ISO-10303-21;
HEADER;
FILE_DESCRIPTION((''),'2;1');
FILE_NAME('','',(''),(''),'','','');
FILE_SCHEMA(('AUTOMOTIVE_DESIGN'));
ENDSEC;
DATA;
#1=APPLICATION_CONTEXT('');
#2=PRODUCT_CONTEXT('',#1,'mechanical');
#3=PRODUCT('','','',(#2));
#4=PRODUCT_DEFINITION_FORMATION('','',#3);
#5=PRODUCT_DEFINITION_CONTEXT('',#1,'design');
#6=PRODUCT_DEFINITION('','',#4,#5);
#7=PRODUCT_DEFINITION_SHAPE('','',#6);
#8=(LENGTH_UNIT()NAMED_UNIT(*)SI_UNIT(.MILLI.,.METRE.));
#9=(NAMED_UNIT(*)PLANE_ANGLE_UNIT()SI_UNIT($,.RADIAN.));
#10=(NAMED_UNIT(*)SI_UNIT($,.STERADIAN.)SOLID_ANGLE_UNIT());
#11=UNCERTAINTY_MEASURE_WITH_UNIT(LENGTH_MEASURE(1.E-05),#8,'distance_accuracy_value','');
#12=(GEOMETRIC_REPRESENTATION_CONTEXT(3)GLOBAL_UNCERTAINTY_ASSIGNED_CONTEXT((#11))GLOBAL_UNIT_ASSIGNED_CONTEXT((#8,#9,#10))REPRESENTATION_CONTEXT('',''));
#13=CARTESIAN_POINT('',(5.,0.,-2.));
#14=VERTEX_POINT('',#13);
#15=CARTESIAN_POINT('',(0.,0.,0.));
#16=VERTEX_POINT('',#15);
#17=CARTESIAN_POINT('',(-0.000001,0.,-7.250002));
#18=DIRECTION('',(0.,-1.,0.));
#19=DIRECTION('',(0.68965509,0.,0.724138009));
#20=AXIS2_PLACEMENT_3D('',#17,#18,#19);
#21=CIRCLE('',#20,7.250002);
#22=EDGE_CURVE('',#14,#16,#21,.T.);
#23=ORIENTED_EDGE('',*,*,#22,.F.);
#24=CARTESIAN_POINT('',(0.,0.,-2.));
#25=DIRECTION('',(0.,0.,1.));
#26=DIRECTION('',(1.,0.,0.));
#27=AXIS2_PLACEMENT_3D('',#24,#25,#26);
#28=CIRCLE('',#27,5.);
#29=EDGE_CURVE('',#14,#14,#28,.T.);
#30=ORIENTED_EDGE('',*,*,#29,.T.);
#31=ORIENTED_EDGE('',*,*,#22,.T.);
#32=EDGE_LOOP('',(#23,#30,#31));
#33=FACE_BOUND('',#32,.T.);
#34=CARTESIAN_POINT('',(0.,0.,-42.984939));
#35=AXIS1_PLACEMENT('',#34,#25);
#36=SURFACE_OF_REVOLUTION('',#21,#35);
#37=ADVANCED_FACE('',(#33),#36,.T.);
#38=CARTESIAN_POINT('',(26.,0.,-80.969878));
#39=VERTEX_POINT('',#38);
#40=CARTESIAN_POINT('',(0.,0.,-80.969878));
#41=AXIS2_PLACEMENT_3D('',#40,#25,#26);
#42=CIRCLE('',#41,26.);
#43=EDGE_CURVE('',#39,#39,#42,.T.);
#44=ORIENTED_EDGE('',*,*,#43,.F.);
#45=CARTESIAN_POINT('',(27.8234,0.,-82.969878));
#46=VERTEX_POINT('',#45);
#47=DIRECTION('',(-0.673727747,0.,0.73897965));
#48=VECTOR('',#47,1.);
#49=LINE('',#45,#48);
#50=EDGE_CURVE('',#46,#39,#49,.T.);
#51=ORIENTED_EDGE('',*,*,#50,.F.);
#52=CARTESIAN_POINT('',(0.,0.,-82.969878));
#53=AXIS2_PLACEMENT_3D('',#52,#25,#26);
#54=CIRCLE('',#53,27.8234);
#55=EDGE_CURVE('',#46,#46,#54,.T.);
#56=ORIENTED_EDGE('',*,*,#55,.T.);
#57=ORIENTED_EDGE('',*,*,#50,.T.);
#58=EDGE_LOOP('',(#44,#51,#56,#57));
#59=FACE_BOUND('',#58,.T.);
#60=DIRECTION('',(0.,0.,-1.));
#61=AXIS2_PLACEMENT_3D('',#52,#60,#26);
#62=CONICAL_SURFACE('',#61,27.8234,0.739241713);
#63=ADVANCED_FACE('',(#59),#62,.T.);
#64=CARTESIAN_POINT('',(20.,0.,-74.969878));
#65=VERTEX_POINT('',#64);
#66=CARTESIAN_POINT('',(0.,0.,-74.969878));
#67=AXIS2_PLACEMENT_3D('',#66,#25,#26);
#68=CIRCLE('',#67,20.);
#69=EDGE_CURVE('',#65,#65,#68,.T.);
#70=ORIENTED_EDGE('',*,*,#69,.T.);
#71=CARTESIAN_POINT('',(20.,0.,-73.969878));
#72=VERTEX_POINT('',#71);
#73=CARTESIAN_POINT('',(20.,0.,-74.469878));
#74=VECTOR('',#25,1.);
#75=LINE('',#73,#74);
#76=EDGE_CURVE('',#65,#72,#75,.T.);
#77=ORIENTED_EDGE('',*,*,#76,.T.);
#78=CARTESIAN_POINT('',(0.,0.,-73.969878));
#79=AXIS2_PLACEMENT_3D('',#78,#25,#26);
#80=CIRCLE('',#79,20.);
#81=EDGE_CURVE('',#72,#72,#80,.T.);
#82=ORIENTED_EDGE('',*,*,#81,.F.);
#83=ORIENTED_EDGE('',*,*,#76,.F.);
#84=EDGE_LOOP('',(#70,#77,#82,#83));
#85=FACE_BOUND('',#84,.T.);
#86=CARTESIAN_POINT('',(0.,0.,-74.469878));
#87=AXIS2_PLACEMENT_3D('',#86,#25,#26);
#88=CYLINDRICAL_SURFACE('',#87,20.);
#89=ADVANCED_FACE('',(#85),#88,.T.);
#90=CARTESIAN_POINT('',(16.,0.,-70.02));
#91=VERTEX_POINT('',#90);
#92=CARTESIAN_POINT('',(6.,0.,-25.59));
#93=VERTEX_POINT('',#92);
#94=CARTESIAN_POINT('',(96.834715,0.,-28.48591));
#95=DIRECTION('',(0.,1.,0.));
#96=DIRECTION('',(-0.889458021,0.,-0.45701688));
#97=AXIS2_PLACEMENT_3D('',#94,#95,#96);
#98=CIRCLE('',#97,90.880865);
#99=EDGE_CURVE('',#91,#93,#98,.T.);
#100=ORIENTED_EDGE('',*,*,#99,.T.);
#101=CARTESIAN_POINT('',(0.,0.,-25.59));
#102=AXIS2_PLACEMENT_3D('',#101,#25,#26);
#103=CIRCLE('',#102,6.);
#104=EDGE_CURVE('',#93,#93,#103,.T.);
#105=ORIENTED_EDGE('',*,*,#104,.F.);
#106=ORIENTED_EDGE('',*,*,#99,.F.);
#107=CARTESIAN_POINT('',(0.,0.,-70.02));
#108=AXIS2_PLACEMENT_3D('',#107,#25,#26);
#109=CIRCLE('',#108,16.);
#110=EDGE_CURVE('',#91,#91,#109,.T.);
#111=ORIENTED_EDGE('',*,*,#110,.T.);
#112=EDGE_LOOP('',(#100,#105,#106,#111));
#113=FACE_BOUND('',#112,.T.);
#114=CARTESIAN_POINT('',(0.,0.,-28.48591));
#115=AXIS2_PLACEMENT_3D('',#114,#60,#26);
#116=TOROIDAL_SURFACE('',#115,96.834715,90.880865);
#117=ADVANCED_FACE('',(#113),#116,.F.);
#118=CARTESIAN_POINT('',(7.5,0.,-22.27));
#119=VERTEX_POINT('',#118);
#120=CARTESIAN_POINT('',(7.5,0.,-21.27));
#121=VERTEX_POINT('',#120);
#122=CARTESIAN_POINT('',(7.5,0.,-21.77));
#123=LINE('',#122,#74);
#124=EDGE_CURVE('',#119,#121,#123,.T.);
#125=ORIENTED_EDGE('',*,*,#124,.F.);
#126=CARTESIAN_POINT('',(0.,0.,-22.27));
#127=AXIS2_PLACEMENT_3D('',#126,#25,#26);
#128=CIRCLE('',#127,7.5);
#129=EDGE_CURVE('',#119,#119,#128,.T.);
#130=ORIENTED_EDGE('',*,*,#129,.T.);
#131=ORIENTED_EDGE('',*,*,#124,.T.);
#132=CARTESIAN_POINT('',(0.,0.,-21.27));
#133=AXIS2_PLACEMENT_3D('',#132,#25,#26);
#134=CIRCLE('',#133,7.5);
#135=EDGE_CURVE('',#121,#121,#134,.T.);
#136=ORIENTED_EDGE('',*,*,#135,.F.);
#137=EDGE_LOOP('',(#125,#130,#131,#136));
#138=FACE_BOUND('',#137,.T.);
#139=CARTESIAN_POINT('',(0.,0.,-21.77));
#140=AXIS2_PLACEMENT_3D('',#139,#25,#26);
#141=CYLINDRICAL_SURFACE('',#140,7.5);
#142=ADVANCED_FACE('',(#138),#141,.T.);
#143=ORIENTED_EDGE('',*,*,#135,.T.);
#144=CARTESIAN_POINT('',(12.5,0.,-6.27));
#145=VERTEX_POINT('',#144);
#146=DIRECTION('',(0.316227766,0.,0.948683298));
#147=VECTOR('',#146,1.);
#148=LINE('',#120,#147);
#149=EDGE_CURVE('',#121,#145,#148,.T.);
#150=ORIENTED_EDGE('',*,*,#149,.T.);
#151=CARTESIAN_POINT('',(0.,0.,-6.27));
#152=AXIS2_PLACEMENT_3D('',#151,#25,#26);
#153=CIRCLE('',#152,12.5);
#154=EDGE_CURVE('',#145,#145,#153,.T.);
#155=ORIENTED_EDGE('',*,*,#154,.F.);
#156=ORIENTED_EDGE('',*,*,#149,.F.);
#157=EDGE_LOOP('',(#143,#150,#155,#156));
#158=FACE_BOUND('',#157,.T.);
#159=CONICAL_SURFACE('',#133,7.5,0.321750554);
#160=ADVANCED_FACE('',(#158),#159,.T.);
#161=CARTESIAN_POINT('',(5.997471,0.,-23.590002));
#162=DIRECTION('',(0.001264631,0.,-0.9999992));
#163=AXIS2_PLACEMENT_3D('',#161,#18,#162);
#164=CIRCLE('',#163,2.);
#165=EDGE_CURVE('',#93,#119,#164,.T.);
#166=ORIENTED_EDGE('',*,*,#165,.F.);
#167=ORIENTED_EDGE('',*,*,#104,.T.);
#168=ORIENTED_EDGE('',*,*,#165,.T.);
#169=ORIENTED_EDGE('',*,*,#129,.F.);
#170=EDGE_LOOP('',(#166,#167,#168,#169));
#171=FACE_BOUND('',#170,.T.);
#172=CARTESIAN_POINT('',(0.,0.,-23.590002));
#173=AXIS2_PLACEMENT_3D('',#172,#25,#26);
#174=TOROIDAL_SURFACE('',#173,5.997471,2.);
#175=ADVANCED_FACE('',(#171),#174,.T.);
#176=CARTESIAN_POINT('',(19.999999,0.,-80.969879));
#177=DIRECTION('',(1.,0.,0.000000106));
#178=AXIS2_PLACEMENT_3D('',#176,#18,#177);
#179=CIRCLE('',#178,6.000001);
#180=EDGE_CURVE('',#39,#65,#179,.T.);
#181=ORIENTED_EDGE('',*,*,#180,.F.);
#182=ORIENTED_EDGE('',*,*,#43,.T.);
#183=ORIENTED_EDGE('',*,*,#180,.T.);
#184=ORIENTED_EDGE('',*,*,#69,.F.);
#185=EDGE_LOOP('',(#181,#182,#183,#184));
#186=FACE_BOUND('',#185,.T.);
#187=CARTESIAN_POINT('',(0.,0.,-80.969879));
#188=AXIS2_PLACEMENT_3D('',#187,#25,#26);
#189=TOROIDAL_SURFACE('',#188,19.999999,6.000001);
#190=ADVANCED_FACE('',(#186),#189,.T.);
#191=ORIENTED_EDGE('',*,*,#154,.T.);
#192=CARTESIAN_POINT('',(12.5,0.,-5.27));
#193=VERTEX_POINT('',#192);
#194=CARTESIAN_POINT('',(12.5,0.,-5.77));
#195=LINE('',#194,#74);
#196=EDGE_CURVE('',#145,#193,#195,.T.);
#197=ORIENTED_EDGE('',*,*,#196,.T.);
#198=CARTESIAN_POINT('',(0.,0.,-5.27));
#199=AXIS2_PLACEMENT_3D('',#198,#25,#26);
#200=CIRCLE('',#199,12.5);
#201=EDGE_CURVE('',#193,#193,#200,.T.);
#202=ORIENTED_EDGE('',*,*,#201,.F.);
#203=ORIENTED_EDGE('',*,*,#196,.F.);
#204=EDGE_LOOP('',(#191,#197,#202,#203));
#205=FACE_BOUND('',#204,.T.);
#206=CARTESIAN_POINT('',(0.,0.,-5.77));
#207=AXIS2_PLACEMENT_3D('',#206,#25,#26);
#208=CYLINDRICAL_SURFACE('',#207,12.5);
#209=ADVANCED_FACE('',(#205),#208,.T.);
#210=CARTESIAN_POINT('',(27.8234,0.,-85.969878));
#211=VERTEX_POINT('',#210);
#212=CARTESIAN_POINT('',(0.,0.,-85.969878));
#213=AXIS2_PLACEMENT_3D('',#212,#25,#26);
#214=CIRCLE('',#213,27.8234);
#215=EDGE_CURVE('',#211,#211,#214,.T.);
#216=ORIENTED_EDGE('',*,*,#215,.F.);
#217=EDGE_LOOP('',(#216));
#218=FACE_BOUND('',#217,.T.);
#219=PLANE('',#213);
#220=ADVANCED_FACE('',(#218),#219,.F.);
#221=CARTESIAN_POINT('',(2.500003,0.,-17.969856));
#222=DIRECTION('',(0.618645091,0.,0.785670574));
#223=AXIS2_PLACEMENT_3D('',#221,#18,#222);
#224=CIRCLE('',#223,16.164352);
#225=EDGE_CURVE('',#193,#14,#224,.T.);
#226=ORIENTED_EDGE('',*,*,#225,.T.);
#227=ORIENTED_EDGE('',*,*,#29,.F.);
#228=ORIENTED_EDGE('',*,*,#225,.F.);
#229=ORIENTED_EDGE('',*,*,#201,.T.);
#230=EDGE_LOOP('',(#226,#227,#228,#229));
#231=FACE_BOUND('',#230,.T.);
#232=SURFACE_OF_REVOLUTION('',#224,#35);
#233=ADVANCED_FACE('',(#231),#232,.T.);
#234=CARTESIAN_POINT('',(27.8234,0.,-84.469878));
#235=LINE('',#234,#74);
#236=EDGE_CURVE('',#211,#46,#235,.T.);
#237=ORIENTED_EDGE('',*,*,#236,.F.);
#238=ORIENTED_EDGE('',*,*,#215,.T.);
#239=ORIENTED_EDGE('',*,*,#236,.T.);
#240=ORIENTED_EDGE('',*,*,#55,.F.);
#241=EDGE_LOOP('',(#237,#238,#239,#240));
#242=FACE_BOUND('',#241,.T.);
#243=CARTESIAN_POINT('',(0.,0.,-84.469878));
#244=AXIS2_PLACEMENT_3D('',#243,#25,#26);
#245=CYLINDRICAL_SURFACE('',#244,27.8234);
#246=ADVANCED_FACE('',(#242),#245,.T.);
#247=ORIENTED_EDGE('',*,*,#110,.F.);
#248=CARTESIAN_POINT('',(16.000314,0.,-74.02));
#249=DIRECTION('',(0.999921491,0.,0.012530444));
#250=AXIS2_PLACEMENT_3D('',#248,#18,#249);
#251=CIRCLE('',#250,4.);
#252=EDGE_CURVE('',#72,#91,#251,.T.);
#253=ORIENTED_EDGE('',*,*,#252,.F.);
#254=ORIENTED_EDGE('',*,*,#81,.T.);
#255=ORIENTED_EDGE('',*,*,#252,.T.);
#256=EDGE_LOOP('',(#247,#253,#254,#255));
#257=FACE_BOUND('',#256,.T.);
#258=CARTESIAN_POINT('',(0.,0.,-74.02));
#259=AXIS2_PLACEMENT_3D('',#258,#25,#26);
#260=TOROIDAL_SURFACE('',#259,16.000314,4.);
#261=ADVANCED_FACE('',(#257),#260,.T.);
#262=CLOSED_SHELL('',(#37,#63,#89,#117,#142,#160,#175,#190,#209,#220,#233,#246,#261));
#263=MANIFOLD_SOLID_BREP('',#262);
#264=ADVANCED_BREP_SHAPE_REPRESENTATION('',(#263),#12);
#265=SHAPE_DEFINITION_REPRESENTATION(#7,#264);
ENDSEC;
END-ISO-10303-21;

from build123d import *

# Parameters (mm, degrees)
F0_W   = 12.5
F0_H   = 1
F0_W_2 = 7.5
F0_W_3 = 20
F0_W_4 = 27.8234
F0_H_2 = 3


with BuildPart() as f1:
    # F0 (on Front) → F1 (revolve)
    with BuildSketch(Plane.XZ):
        with BuildLine():
            ThreePointArc((5, -2), (2.692582, -0.518544), (0, 0))
            Line((0, 0), (0, -2))
            ThreePointArc((0, -2), (2.5, -1.805503), (5, -2))
        make_face()
        with BuildLine():
            ThreePointArc((12.5, -5.27), (8.960319, -3.152616), (5, -2))
            ThreePointArc((5, -2), (2.5, -1.805503), (0, -2))
            Line((0, -2), (0, -5.27))
            Line((0, -5.27), (12.5, -5.27))
        make_face()
        with Locations((6.25, -5.77)):
            Rectangle(F0_W, F0_H)
        Polygon((7.5, -21.27), (12.5, -6.27), (0, -6.27), (0, -21.27), align=None)
        with Locations((3.75, -21.77)):
            Rectangle(F0_W_2, F0_H)
        with BuildLine():
            ThreePointArc((6, -25.59), (7.820079, -24.413469), (7.5, -22.27))
            Line((7.5, -22.27), (0, -22.27))
            Line((0, -22.27), (0, -25.59))
            Line((0, -25.59), (6, -25.59))
        make_face()
        with BuildLine():
            ThreePointArc((16, -70.02), (8.171845, -48.441542), (6, -25.59))
            Line((6, -25.59), (0, -25.59))
            Line((0, -25.59), (0, -73.969878))
            Line((0, -73.969878), (20, -73.969878))
            ThreePointArc((20, -73.969878), (18.810853, -71.173797), (16, -70.02))
        make_face()
        with Locations((10, -74.469878)):
            Rectangle(F0_W_3, F0_H)
        with BuildLine():
            Line((20, -74.969878), (0, -74.969878))
            Line((0, -74.969878), (0, -80.969878))
            Line((0, -80.969878), (26, -80.969878))
            ThreePointArc((26, -80.969878), (24.242641, -76.727238), (20, -74.969878))
        make_face()
        Polygon((26, -80.969878), (0, -80.969878), (0, -82.969878), (27.8234, -82.969878), align=None)
        with Locations((13.9117, -84.469878)):
            Rectangle(F0_W_4, F0_H_2)
    revolve(axis=Axis((0, 0, -42.984939), (0, 0, 1)))


solid = f1.part
